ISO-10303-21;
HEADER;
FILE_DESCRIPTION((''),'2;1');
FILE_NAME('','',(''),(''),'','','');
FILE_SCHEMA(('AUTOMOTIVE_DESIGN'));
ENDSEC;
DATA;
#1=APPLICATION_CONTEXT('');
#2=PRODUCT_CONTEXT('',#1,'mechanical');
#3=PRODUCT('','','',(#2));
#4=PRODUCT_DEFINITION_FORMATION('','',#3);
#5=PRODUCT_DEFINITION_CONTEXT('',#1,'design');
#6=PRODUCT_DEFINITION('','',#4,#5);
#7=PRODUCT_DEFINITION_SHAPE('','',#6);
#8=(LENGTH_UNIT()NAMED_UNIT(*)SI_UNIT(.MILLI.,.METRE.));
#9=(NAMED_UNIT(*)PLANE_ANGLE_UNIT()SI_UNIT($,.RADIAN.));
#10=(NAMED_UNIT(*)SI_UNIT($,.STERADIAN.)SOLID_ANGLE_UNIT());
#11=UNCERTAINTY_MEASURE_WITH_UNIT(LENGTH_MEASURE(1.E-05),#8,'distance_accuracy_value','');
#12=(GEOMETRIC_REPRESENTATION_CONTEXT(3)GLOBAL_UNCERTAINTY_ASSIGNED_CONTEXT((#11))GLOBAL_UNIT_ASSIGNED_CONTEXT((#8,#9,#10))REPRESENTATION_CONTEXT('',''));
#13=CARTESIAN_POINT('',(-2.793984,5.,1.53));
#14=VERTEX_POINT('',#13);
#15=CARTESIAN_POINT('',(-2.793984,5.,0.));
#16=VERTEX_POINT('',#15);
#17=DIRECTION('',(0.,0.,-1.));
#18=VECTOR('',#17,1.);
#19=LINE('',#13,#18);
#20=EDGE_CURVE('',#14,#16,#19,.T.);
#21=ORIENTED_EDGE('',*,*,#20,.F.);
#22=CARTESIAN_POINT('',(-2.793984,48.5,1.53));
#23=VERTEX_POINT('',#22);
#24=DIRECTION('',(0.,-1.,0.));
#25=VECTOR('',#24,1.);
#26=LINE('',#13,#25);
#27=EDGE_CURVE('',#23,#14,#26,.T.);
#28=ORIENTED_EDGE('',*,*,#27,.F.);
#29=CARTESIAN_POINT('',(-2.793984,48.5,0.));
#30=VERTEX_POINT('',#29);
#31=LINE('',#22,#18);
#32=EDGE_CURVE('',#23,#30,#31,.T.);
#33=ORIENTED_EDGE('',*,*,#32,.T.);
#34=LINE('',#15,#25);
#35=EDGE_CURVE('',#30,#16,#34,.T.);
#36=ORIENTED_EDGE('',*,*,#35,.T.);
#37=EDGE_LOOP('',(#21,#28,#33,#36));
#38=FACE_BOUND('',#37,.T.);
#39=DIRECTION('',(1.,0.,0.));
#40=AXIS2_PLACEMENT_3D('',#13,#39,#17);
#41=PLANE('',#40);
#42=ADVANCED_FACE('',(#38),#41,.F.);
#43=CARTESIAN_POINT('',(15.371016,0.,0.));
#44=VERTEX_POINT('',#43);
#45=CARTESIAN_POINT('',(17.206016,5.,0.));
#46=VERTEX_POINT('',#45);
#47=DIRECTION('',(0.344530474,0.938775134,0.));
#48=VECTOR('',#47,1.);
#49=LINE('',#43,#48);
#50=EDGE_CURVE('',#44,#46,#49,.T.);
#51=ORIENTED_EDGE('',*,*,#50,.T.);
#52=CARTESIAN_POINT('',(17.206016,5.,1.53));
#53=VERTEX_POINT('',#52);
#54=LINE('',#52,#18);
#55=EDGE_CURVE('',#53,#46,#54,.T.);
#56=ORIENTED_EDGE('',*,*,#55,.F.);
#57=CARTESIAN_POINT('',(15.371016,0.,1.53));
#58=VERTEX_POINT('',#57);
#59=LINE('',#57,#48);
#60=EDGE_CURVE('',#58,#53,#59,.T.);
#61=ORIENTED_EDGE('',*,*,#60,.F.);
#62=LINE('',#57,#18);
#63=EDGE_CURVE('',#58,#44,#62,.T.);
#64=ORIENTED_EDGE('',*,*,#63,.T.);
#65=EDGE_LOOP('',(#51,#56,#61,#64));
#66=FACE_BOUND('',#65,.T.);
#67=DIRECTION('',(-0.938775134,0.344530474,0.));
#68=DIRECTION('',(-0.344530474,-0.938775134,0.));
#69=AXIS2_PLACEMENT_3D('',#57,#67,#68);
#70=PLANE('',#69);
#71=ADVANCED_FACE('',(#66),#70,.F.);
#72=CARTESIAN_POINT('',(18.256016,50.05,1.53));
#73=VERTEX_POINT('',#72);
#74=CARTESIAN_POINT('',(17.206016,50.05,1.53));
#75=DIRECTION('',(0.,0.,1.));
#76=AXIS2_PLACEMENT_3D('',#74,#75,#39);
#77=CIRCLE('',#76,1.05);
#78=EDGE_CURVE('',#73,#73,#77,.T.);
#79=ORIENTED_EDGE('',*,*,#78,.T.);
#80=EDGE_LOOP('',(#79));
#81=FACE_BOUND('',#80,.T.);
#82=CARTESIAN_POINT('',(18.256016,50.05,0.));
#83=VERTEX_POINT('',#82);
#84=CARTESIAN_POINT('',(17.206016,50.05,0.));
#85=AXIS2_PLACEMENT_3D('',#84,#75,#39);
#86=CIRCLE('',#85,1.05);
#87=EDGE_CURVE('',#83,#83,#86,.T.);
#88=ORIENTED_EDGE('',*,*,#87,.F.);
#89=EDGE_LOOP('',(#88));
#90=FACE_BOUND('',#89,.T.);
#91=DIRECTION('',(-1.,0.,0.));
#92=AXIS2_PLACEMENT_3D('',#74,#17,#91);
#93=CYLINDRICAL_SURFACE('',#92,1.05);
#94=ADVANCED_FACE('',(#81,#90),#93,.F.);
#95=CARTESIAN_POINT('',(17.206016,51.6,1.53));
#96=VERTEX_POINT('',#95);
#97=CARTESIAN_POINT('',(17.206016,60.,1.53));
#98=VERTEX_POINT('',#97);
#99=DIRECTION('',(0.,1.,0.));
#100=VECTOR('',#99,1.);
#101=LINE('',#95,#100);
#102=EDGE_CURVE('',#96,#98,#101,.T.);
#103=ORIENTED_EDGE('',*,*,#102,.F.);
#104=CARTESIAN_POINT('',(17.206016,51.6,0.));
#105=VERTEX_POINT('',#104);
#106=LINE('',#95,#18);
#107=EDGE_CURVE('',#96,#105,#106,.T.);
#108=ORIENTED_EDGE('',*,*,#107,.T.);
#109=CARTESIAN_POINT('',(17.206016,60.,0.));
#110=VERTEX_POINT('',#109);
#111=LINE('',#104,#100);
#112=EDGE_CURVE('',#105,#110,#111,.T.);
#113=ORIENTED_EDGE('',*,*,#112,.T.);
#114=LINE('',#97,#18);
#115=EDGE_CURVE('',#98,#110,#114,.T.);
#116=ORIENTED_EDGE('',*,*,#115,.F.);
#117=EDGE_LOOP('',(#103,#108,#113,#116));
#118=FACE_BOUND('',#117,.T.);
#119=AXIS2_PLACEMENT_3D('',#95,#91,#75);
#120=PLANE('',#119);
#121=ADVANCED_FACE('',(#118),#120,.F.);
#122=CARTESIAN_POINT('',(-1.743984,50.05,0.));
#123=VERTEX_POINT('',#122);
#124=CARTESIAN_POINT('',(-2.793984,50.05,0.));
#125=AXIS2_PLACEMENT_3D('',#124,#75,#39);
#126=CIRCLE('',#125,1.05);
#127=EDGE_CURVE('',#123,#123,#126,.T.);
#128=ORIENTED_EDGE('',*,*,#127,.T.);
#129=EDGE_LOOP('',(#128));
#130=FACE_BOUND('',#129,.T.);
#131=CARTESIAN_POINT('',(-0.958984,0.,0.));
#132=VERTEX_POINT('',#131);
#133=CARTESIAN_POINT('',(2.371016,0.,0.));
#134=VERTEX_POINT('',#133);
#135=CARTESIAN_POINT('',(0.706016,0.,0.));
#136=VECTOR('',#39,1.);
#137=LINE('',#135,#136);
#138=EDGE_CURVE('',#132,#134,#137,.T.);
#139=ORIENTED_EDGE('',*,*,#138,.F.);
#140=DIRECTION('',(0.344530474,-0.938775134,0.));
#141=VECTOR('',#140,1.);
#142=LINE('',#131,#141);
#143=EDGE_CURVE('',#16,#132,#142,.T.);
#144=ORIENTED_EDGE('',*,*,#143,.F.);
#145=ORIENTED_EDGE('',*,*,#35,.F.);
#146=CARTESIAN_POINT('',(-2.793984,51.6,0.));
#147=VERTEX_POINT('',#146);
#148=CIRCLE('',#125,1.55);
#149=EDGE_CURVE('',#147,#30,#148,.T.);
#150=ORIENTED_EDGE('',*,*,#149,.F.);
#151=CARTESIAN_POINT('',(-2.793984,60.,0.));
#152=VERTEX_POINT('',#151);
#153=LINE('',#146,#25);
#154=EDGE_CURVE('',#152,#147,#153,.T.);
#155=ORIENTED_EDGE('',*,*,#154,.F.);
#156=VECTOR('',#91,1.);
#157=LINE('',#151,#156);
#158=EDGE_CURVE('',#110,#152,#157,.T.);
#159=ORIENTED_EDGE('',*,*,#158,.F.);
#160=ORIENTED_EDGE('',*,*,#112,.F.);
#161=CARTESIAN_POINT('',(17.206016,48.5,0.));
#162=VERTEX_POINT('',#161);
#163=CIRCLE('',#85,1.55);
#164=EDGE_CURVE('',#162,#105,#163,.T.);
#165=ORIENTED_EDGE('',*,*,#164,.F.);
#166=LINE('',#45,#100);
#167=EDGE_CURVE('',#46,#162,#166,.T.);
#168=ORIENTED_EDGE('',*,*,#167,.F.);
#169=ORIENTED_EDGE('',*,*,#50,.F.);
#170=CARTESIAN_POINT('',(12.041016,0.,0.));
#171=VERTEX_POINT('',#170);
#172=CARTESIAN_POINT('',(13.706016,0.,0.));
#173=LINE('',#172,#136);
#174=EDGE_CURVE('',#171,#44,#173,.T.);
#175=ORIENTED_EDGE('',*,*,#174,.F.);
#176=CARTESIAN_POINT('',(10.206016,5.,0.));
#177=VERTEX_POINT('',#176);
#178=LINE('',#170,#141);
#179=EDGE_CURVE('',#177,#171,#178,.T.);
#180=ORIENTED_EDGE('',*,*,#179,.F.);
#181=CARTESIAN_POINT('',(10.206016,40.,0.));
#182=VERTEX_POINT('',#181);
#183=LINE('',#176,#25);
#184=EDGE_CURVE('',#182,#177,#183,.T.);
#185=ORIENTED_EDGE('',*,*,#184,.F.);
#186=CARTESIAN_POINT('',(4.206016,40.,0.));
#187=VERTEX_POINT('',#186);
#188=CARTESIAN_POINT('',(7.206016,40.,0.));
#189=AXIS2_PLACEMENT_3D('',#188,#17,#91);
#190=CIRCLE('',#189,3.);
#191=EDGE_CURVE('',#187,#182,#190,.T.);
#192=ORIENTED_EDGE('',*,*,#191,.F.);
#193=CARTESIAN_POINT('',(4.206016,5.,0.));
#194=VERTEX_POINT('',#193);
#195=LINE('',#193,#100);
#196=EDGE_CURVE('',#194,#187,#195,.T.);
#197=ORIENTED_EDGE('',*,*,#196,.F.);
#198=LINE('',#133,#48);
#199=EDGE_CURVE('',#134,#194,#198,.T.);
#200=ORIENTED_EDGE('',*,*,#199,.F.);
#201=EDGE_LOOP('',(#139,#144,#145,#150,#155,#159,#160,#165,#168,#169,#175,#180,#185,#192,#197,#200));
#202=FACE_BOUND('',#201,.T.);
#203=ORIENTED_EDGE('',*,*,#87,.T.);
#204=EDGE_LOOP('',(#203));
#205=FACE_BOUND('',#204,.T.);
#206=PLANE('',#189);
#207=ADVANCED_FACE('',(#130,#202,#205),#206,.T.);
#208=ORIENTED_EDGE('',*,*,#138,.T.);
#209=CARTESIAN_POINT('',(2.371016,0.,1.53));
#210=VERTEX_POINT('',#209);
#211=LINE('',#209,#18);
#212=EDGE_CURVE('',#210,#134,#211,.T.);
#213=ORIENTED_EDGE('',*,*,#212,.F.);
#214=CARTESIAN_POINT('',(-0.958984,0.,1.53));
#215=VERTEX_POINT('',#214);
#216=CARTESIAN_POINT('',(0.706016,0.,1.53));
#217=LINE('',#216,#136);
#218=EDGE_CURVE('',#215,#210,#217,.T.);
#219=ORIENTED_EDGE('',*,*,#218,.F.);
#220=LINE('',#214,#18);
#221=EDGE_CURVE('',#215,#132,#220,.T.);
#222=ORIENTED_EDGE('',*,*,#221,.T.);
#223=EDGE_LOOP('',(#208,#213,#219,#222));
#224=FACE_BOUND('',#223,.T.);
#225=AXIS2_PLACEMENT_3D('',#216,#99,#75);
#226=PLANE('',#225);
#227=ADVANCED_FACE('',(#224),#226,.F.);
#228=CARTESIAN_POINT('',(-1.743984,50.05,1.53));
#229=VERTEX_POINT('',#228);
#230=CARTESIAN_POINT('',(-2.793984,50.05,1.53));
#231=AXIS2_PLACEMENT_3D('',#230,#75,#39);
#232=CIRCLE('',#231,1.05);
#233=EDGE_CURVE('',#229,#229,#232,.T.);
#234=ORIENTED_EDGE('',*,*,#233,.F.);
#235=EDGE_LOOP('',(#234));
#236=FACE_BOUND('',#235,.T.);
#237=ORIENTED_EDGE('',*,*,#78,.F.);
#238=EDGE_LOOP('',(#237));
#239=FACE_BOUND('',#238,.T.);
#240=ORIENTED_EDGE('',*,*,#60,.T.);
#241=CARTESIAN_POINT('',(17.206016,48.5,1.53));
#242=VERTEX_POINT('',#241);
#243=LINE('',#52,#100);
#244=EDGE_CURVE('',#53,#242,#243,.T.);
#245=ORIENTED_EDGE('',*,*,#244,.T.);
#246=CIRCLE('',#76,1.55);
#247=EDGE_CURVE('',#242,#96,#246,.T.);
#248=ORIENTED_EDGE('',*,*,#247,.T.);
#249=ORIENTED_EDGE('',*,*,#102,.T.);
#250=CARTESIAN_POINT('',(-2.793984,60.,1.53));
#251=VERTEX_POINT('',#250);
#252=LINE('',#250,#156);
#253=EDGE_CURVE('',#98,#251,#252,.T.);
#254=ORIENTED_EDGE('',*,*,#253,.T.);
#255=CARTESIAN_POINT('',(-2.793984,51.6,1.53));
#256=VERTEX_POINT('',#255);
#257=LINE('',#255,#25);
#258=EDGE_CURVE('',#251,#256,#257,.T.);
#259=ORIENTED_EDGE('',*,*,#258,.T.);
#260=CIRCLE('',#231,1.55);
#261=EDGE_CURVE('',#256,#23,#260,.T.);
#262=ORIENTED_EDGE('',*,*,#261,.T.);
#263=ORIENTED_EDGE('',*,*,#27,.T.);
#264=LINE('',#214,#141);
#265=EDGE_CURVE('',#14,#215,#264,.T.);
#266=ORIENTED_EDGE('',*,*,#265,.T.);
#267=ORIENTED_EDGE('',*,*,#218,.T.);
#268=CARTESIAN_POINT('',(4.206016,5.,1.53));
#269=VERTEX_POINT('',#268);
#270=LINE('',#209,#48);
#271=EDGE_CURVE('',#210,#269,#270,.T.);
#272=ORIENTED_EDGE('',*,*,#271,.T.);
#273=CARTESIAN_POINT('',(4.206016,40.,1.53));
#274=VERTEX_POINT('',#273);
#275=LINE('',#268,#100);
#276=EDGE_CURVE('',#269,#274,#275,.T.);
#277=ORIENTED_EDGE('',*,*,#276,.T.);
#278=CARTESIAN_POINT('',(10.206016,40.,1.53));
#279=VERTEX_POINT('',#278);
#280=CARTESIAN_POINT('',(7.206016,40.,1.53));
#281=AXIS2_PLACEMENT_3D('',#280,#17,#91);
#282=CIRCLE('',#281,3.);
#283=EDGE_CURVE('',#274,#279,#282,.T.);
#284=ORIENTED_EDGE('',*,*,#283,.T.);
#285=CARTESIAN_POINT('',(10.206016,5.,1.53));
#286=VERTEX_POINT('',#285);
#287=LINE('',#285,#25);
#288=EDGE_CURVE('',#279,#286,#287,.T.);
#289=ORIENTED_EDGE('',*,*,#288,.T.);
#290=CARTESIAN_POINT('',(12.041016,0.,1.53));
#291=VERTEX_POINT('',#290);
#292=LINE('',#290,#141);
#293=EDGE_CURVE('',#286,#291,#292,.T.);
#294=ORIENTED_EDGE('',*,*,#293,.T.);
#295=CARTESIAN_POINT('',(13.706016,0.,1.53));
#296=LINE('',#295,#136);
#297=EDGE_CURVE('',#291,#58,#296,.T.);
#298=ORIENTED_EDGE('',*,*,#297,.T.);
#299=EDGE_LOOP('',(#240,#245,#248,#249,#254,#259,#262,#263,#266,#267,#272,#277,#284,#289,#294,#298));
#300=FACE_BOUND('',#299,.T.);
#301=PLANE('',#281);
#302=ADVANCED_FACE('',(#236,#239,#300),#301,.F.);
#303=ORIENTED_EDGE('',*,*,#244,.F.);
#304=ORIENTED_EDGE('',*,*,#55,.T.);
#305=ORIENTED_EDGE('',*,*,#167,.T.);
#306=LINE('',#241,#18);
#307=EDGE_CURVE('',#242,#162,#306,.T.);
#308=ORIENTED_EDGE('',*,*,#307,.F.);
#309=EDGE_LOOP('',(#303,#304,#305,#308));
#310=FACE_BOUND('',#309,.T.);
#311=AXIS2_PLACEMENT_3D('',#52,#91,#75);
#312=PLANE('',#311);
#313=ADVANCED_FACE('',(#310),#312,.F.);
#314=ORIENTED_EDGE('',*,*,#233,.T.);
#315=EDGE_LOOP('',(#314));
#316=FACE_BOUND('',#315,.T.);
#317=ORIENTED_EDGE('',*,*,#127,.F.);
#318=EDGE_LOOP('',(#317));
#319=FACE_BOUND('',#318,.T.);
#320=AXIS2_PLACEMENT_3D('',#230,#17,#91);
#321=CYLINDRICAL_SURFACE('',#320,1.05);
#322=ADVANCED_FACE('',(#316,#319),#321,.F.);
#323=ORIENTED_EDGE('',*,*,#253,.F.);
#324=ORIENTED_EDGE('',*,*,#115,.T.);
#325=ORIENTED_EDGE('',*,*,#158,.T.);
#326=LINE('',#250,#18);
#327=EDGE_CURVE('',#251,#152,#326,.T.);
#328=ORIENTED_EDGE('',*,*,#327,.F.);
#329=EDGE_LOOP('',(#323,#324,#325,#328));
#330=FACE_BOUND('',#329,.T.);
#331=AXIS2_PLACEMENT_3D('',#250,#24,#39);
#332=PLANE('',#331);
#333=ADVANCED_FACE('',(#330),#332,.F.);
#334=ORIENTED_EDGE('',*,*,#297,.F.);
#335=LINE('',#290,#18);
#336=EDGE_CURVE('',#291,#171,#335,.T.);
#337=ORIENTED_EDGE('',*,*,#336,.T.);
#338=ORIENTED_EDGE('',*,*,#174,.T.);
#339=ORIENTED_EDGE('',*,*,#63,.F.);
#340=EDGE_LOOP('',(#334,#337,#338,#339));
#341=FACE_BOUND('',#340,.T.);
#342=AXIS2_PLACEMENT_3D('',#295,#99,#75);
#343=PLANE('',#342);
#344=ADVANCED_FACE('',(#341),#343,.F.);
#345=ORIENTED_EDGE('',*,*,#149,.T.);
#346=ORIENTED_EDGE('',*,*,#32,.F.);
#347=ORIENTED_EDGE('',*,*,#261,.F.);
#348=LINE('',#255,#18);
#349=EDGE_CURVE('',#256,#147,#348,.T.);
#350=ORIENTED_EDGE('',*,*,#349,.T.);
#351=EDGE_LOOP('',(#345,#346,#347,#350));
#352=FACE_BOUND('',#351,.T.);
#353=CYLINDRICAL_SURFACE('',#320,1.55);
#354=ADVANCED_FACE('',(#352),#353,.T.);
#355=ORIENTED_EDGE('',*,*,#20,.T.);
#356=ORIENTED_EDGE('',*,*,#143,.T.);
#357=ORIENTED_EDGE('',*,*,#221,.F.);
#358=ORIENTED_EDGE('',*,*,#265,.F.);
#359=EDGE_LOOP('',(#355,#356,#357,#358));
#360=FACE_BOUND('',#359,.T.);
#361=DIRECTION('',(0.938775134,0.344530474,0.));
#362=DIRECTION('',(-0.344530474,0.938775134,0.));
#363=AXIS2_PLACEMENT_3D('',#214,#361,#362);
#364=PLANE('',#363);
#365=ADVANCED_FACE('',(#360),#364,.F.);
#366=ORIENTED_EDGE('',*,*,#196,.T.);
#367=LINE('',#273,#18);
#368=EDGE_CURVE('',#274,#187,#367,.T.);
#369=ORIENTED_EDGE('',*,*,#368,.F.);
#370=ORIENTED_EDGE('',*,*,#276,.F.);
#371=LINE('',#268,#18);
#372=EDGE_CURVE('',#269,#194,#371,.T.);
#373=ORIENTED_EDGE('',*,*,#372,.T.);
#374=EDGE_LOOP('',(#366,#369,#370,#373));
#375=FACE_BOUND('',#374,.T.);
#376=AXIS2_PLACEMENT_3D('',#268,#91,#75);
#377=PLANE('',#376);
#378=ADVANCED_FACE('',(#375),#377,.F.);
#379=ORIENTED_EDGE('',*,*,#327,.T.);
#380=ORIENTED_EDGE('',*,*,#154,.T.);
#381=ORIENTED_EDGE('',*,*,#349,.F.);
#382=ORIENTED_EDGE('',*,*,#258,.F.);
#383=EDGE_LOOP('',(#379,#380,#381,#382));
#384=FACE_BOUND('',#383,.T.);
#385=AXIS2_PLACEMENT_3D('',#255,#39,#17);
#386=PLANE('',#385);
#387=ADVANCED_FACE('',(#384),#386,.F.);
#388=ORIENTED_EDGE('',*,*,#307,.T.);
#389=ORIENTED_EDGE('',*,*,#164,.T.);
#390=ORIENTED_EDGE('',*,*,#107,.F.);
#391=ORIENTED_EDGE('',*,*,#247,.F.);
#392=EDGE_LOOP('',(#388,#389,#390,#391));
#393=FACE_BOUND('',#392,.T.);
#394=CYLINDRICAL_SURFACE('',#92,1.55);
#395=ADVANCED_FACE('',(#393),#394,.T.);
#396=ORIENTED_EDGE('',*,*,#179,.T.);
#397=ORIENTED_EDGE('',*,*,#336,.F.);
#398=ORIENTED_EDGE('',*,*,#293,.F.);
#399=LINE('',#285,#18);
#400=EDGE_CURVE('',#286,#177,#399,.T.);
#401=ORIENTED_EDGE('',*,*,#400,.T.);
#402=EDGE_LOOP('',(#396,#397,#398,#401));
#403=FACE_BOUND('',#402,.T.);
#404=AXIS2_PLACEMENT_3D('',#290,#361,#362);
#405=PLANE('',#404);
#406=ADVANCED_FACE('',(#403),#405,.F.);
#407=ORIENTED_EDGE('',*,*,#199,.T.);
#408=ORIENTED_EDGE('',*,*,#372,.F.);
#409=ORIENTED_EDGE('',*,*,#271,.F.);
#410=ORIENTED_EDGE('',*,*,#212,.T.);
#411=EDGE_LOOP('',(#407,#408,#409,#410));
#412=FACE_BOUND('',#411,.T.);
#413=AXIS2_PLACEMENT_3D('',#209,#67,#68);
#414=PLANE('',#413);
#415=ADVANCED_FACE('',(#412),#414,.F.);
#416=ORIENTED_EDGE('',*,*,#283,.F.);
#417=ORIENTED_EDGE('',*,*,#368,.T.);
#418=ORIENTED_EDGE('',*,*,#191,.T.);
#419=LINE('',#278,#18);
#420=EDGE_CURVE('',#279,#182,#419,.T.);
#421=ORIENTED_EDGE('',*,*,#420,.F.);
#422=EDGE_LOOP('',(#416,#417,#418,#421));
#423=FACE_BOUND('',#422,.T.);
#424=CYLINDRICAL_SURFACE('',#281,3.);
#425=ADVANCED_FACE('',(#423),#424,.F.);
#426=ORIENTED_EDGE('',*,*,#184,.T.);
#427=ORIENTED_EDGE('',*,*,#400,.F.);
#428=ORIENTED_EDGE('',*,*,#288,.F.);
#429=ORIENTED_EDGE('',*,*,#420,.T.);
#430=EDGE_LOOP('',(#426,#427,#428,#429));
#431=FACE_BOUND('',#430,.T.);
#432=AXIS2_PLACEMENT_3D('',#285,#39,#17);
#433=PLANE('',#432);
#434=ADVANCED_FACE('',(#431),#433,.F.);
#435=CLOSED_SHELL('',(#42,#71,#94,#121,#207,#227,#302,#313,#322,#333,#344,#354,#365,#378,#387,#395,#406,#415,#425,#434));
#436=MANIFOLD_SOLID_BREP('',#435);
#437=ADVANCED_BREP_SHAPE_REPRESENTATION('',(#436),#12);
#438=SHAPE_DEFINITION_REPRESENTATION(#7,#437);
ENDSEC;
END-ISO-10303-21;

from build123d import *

# Parameters (mm, degrees)
ESQUISSE1_R        = 1.05
BOSS_EXTRU_1_DEPTH = 1.53


with BuildPart() as part:
    # Esquisse1 → Boss.-Extru.1 (new body)
    with BuildSketch(Plane.XY):
        with BuildLine():
            Line((10.206015929, 5), (10.206015929, 40))
            ThreePointArc((10.206015929, 40), (7.206015929, 43), (4.206015929, 40))
            Line((4.206015929, 40), (4.206015929, 5))
            Line((4.206015929, 5), (2.371015929, 0))
            Line((2.371015929, 0), (0.706015929, 0))
            Line((0.706015929, 0), (-0.958984071, 0))
            Line((-0.958984071, 0), (-2.793984071, 5))
            Line((-2.793984071, 5), (-2.793984071, 48.5))
            ThreePointArc((-2.793984071, 48.5), (-4.343984071, 50.05), (-2.793984071, 51.6))
            Line((-2.793984071, 51.6), (-2.793984071, 60))
            Line((-2.793984071, 60), (17.206015929, 60))
            Line((17.206015929, 60), (17.206015929, 51.6))
            ThreePointArc((17.206015929, 51.6), (18.756015929, 50.05), (17.206015929, 48.5))
            Line((17.206015929, 48.5), (17.206015929, 5))
            Line((17.206015929, 5), (15.371015929, 0))
            Line((15.371015929, 0), (13.706015929, 0))
            Line((13.706015929, 0), (12.041015929, 0))
            Line((12.041015929, 0), (10.206015929, 5))
        make_face()
        with Locations((17.206015929, 50.05)):
            Circle(ESQUISSE1_R, mode=Mode.SUBTRACT)
        with Locations((-2.793984071, 50.05)):
            Circle(ESQUISSE1_R, mode=Mode.SUBTRACT)
    extrude(amount=BOSS_EXTRU_1_DEPTH)


solid = part.part
